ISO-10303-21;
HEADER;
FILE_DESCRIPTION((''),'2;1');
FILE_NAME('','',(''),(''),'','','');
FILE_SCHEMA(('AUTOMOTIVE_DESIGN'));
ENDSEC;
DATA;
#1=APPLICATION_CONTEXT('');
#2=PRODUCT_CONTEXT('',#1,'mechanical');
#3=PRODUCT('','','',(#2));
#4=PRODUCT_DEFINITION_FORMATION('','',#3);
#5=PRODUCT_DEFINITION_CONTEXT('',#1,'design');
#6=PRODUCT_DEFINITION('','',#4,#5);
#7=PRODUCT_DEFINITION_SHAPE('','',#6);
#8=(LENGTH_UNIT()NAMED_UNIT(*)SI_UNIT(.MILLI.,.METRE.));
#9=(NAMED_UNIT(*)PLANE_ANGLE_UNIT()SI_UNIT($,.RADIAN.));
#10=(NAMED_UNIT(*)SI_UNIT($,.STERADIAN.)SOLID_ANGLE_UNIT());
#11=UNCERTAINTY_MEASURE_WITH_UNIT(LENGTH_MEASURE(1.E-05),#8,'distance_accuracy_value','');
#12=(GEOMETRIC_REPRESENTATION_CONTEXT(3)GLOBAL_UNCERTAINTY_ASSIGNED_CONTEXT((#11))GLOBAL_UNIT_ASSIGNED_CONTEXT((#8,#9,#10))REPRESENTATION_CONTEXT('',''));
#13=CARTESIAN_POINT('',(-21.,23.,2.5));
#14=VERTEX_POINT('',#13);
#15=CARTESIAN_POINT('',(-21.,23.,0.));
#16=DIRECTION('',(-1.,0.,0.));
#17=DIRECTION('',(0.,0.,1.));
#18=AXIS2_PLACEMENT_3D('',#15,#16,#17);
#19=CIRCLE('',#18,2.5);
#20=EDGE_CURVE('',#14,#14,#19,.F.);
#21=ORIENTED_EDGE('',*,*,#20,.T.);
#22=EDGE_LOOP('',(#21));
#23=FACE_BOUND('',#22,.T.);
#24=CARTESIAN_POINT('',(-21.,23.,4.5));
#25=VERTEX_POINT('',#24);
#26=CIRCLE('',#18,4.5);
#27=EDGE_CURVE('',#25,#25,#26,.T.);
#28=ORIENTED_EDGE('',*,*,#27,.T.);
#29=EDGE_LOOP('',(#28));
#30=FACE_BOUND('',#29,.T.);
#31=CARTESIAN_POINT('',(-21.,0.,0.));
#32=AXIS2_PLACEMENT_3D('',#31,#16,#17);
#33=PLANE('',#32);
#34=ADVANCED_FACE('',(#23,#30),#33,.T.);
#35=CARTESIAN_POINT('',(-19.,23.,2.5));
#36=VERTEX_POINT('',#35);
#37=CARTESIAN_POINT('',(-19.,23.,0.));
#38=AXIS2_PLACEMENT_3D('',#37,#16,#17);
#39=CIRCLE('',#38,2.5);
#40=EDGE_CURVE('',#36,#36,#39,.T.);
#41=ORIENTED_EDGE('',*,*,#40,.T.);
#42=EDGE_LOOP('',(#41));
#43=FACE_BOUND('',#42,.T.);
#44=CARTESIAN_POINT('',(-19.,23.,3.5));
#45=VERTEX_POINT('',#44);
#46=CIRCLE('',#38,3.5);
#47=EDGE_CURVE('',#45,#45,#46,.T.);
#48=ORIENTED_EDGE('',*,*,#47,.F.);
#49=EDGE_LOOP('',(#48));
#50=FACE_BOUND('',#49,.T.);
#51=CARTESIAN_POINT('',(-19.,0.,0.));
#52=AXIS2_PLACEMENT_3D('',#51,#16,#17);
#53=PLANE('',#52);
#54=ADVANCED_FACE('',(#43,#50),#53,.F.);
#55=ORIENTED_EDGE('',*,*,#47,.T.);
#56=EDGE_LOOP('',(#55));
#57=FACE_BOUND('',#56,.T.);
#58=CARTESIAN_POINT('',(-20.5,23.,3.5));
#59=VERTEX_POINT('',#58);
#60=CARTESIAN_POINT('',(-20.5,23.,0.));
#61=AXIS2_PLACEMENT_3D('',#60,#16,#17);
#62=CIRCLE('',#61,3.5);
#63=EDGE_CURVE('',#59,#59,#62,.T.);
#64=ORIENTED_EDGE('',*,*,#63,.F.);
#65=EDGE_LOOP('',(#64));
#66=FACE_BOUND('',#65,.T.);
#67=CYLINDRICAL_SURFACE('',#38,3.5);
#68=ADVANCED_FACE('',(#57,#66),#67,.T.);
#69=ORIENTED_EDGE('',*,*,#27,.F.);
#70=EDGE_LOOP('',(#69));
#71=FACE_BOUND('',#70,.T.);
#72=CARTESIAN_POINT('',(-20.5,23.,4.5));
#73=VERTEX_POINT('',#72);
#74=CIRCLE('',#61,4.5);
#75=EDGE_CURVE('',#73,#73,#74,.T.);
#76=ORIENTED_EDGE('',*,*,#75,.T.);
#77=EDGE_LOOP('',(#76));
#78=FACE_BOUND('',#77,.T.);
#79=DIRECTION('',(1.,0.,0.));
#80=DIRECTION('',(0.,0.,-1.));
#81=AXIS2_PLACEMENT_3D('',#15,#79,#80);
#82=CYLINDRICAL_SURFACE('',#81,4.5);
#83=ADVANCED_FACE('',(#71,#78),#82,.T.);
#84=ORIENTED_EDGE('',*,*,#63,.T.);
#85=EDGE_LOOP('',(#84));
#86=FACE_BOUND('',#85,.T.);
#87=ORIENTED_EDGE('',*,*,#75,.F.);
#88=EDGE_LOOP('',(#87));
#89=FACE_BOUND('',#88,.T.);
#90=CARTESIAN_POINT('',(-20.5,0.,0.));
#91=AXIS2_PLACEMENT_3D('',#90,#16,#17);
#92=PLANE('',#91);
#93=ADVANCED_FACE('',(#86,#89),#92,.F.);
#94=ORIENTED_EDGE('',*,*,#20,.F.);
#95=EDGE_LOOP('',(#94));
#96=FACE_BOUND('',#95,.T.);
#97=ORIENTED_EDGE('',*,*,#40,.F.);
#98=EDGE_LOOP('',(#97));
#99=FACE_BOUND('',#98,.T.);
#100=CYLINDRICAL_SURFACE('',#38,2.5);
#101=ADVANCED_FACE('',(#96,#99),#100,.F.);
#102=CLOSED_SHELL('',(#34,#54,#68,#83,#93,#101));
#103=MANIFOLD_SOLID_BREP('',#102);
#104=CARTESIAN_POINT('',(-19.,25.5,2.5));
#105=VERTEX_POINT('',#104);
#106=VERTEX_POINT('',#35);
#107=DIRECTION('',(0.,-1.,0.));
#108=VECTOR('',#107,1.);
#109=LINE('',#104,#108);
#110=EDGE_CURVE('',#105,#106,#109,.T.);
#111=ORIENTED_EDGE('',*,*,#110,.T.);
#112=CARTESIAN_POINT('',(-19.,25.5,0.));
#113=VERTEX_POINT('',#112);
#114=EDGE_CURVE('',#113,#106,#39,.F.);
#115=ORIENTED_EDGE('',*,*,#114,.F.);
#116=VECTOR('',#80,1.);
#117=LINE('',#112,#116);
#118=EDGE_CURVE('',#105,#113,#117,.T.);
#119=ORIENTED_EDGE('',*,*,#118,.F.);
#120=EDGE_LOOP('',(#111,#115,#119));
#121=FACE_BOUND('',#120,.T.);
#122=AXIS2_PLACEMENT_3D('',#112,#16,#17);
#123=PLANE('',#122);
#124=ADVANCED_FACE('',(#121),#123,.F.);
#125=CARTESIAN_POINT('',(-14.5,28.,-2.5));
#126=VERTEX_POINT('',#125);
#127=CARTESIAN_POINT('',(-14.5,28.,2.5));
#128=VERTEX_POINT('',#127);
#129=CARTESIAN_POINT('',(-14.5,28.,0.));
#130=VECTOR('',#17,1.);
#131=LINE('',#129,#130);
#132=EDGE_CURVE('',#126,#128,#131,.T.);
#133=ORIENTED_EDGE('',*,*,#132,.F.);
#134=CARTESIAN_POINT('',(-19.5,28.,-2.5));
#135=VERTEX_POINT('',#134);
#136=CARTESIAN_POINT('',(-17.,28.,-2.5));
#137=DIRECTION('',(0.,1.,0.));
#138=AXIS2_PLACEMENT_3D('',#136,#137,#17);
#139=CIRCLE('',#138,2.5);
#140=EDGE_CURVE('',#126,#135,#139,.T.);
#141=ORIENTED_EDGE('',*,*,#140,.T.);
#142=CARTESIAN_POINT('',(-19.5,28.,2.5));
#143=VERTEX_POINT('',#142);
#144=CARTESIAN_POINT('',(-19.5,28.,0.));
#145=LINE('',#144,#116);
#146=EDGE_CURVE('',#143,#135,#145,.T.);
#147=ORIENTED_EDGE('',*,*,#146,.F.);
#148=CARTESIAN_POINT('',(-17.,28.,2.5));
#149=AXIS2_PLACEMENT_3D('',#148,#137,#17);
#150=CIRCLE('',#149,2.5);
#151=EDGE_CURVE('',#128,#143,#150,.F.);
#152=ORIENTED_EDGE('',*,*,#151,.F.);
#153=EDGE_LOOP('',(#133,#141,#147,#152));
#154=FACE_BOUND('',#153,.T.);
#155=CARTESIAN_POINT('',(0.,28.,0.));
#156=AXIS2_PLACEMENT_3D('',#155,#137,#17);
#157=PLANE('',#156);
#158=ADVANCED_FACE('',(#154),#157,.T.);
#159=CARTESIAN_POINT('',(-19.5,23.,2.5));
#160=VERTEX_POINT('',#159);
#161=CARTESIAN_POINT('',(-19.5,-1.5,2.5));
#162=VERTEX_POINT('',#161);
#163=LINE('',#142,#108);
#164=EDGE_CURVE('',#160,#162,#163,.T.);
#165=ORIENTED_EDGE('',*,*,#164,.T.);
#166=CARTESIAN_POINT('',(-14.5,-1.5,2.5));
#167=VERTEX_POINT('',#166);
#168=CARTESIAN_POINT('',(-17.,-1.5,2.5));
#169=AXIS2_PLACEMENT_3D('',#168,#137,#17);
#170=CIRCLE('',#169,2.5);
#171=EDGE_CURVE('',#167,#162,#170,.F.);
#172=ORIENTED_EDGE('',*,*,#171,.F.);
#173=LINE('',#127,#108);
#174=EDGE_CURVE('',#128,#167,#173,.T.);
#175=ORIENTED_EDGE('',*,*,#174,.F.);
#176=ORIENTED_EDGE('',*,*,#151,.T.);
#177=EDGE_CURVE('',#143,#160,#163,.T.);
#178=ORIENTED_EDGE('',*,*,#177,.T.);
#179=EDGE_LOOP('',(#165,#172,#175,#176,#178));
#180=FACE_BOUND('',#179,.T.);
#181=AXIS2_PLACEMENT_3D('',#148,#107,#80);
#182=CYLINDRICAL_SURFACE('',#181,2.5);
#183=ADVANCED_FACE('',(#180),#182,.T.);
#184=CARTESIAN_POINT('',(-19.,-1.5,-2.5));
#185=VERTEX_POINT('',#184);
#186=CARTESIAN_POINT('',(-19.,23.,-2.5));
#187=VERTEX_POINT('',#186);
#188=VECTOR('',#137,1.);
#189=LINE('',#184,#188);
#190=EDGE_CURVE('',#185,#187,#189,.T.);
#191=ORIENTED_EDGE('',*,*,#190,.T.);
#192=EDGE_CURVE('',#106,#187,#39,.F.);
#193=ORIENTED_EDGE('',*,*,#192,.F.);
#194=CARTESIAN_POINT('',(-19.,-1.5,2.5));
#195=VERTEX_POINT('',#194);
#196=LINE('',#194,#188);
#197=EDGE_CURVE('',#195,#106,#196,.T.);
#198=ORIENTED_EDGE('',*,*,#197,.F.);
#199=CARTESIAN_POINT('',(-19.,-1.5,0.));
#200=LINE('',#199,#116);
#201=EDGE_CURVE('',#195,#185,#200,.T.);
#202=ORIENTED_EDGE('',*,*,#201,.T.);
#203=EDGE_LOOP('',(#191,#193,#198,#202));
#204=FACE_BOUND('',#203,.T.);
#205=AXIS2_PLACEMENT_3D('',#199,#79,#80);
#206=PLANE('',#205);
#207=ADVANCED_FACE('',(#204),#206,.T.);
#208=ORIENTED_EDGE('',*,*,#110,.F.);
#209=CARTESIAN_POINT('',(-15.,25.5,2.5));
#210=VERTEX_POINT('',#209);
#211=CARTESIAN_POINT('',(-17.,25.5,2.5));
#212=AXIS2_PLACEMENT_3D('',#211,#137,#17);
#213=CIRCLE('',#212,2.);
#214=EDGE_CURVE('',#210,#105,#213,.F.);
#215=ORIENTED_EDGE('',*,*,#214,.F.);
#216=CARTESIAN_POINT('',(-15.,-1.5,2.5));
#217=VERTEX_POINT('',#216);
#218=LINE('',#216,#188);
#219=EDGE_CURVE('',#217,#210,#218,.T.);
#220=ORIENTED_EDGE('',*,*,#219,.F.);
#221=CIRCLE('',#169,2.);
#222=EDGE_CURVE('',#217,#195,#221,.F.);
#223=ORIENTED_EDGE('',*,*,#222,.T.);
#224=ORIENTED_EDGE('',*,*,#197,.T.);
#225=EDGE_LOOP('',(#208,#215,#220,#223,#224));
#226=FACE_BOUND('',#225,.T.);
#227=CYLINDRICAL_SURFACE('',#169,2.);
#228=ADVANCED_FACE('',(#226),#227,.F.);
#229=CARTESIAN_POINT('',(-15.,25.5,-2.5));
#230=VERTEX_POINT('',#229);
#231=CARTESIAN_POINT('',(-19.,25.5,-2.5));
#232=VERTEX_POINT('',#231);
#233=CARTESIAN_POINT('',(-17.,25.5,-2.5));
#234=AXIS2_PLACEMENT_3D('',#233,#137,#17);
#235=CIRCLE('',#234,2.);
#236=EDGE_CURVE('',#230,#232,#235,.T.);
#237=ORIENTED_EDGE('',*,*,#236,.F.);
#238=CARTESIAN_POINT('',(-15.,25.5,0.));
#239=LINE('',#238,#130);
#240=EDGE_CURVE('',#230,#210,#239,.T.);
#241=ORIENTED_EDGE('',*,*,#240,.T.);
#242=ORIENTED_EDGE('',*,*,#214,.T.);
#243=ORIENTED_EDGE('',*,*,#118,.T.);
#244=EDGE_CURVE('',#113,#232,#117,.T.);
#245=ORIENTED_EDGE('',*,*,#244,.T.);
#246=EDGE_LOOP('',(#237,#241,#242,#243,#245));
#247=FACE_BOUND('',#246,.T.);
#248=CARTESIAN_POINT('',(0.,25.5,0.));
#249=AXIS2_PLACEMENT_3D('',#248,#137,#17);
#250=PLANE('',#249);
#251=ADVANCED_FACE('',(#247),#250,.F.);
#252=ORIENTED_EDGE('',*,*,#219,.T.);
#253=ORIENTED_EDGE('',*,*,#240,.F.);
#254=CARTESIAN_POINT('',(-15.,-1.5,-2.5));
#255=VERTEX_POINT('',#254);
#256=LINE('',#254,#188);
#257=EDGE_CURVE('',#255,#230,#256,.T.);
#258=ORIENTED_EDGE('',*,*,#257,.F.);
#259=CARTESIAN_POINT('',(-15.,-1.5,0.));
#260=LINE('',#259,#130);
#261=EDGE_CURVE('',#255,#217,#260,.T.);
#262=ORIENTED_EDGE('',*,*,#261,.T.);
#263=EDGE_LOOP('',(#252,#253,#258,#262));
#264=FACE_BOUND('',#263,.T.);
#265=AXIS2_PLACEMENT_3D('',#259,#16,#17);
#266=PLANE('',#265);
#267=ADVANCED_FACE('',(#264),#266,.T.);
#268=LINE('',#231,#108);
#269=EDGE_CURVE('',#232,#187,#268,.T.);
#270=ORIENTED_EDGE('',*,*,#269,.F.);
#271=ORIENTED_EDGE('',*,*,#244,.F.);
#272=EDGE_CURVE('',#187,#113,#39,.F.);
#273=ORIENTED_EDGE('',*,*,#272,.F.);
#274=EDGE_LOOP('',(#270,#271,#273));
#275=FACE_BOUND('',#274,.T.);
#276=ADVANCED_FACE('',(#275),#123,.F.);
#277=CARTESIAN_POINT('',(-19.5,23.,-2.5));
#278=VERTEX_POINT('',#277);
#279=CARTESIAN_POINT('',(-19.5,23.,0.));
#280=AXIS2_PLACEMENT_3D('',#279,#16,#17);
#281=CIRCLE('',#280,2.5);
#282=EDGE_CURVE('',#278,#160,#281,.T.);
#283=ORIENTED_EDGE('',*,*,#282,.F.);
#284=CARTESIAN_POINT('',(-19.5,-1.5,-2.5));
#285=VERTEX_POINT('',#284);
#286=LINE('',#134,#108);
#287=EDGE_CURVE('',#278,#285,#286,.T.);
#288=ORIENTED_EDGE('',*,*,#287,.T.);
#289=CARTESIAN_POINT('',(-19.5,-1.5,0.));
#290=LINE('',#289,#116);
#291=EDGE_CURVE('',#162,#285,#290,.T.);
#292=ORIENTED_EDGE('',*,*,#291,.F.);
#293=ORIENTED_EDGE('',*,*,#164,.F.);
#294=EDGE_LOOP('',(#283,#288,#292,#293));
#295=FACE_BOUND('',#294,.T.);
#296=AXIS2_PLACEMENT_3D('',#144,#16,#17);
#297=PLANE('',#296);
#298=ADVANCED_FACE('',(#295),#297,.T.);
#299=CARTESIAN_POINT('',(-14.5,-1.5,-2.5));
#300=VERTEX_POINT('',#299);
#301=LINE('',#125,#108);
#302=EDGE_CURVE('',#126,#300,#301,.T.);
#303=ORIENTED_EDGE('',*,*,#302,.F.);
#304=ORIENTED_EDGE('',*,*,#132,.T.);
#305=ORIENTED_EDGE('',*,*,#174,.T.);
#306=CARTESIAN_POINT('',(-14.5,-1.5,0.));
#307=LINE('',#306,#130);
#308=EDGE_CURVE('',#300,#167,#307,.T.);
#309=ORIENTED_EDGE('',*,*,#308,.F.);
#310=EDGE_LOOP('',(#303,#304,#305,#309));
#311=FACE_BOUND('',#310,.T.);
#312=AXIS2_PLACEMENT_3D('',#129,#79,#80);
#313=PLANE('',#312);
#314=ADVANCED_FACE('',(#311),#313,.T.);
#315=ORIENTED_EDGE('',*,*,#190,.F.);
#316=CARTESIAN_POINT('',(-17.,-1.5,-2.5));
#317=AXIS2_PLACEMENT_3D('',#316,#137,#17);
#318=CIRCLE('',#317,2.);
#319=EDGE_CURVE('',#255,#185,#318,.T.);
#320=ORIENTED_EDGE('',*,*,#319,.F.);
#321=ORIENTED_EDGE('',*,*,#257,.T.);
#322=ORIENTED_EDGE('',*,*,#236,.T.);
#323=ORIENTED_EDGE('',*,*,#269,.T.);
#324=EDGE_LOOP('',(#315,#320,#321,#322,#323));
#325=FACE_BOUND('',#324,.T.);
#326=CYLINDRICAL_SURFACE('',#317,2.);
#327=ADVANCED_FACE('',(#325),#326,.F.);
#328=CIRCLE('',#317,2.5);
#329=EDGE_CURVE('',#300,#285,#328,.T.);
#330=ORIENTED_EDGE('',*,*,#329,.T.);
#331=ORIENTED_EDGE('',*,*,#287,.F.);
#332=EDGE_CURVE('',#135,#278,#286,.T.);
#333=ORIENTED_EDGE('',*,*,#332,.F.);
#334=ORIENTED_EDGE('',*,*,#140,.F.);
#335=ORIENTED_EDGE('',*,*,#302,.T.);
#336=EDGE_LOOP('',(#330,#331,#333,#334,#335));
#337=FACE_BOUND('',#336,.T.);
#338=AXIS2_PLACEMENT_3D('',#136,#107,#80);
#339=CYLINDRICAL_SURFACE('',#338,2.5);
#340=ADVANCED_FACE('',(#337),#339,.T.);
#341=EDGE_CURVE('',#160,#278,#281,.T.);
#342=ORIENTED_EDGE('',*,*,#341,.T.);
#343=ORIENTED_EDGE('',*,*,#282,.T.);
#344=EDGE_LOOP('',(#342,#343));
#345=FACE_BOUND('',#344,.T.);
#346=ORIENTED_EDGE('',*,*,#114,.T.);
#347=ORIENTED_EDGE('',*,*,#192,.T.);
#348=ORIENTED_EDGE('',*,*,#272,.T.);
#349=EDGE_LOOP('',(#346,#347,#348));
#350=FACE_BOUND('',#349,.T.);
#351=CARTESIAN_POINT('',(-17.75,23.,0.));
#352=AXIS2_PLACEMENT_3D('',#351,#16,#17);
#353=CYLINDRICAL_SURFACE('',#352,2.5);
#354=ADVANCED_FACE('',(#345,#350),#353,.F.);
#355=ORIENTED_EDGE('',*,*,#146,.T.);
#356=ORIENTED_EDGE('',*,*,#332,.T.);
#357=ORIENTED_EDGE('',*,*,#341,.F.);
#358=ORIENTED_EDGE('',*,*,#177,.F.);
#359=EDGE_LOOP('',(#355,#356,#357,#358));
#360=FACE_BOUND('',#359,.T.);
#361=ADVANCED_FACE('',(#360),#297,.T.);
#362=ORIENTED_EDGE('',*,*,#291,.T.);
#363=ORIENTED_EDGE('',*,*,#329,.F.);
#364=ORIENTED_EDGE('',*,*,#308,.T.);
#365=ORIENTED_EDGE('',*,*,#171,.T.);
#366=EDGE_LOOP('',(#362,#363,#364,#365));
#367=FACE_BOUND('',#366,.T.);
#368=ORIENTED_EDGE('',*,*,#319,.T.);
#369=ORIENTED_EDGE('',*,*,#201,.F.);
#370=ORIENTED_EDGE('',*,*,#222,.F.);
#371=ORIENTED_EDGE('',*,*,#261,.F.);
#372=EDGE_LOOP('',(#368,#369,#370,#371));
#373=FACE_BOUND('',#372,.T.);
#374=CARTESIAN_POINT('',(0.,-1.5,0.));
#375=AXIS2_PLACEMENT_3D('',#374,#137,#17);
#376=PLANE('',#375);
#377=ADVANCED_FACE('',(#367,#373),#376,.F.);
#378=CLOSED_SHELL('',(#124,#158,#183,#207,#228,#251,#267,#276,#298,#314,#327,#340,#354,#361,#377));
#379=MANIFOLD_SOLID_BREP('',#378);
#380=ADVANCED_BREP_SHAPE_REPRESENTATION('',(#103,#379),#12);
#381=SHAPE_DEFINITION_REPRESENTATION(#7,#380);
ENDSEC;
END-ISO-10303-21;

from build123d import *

# Parameters (mm, degrees)
BOSS_EXTRU_6_DEPTH      = 28
BOSS_EXTRU_7_START      = -1.5
BOSS_EXTRU_7_DEPTH      = 1.5
BOSS_EXTRU_9_DEPTH      = 1
BOSS_EXTRU_9_DEPTH_BACK = 0.5
ESQUISSE2_R             = 3.5
ESQUISSE2_R_2           = 2.5
ENL_V_MAT_EXTRU_1_DEPTH = 1.75
ENL_V_MAT_EXTRU_2_DEPTH = 25.5
BOSS_EXTRU_10_START     = 0.5
ESQUISSE3_R             = 4.5
ESQUISSE3_R_2           = 2.5
BOSS_EXTRU_10_DEPTH     = 0.5


with BuildPart() as part:
    # Esquisse1 → Boss.-Extru.6 (new body)
    with BuildSketch(Plane(origin=(0, 0, 0), x_dir=(1, 0, 0), z_dir=(0, 1, 0))):
        with BuildLine():
            ThreePointArc((-19.5, -2.5), (-17, -5), (-14.5, -2.5))
            Line((-14.5, -2.5), (-14.5, 2.5))
            ThreePointArc((-14.5, 2.5), (-17, 5), (-19.5, 2.5))
            Line((-19.5, 2.5), (-19.5, -2.5))
        make_face()
    extrude(amount=BOSS_EXTRU_6_DEPTH)

    # Esquisse1_12 → Boss.-Extru.7 (add)
    with BuildSketch(Plane(origin=(0, 0, 0), x_dir=(1, 0, 0), z_dir=(0, 1, 0)).offset(BOSS_EXTRU_7_START)):
        with BuildLine():
            ThreePointArc((-19.5, -2.5), (-17, -5), (-14.5, -2.5))
            Line((-14.5, -2.5), (-14.5, 2.5))
            ThreePointArc((-14.5, 2.5), (-17, 5), (-19.5, 2.5))
            Line((-19.5, 2.5), (-19.5, -2.5))
        make_face()
        with BuildLine():
            Line((-19, -2.5), (-19, 2.5))
            ThreePointArc((-19, 2.5), (-17, 4.5), (-15, 2.5))
            Line((-15, 2.5), (-15, -2.5))
            ThreePointArc((-15, -2.5), (-17, -4.5), (-19, -2.5))
        make_face(mode=Mode.SUBTRACT)
    extrude(amount=BOSS_EXTRU_7_DEPTH)

    # Esquisse2_5 → Enl_v. mat.-Extru.1 (cut)
    with BuildSketch(Plane.ZY.offset(19.5)):
        with BuildLine():
            ThreePointArc((2.5, 23), (1.767766953, 24.767766953), (0, 25.5))
            ThreePointArc((0, 25.5), (-1.767766953, 21.232233047), (2.5, 23))
        make_face()
    extrude(amount=-ENL_V_MAT_EXTRU_1_DEPTH, mode=Mode.SUBTRACT)

    # Esquisse1_17 → Enl_v. mat.-Extru.2 (cut)
    with BuildSketch(Plane(origin=(0, 0, 0), x_dir=(1, 0, 0), z_dir=(0, 1, 0))):
        with BuildLine():
            ThreePointArc((-19, -2.5), (-17, -4.5), (-15, -2.5))
            Line((-15, -2.5), (-15, 2.5))
            ThreePointArc((-15, 2.5), (-17, 4.5), (-19, 2.5))
            Line((-19, 2.5), (-19, -2.5))
        make_face()
    extrude(amount=ENL_V_MAT_EXTRU_2_DEPTH, mode=Mode.SUBTRACT)


with BuildPart() as body_2:
    # Esquisse2 → Boss.-Extru.9 (new, two sides: drawn at the far end of the back side and taken through both)
    with BuildSketch(Plane.ZY.offset(19.5).offset(-BOSS_EXTRU_9_DEPTH_BACK)):
        with Locations((0, 23)):
            Circle(ESQUISSE2_R)
        with Locations((0, 23)):
            Circle(ESQUISSE2_R_2, mode=Mode.SUBTRACT)
    extrude(amount=BOSS_EXTRU_9_DEPTH + BOSS_EXTRU_9_DEPTH_BACK)

    # Esquisse3 → Boss.-Extru.10 (add)
    with BuildSketch(Plane.ZY.offset(20.5).offset(BOSS_EXTRU_10_START)):
        with Locations((0, 23)):
            Circle(ESQUISSE3_R)
        with Locations((0, 23)):
            Circle(ESQUISSE3_R_2, mode=Mode.SUBTRACT)
    extrude(amount=-BOSS_EXTRU_10_DEPTH)


solid = Compound([part.part, body_2.part])
